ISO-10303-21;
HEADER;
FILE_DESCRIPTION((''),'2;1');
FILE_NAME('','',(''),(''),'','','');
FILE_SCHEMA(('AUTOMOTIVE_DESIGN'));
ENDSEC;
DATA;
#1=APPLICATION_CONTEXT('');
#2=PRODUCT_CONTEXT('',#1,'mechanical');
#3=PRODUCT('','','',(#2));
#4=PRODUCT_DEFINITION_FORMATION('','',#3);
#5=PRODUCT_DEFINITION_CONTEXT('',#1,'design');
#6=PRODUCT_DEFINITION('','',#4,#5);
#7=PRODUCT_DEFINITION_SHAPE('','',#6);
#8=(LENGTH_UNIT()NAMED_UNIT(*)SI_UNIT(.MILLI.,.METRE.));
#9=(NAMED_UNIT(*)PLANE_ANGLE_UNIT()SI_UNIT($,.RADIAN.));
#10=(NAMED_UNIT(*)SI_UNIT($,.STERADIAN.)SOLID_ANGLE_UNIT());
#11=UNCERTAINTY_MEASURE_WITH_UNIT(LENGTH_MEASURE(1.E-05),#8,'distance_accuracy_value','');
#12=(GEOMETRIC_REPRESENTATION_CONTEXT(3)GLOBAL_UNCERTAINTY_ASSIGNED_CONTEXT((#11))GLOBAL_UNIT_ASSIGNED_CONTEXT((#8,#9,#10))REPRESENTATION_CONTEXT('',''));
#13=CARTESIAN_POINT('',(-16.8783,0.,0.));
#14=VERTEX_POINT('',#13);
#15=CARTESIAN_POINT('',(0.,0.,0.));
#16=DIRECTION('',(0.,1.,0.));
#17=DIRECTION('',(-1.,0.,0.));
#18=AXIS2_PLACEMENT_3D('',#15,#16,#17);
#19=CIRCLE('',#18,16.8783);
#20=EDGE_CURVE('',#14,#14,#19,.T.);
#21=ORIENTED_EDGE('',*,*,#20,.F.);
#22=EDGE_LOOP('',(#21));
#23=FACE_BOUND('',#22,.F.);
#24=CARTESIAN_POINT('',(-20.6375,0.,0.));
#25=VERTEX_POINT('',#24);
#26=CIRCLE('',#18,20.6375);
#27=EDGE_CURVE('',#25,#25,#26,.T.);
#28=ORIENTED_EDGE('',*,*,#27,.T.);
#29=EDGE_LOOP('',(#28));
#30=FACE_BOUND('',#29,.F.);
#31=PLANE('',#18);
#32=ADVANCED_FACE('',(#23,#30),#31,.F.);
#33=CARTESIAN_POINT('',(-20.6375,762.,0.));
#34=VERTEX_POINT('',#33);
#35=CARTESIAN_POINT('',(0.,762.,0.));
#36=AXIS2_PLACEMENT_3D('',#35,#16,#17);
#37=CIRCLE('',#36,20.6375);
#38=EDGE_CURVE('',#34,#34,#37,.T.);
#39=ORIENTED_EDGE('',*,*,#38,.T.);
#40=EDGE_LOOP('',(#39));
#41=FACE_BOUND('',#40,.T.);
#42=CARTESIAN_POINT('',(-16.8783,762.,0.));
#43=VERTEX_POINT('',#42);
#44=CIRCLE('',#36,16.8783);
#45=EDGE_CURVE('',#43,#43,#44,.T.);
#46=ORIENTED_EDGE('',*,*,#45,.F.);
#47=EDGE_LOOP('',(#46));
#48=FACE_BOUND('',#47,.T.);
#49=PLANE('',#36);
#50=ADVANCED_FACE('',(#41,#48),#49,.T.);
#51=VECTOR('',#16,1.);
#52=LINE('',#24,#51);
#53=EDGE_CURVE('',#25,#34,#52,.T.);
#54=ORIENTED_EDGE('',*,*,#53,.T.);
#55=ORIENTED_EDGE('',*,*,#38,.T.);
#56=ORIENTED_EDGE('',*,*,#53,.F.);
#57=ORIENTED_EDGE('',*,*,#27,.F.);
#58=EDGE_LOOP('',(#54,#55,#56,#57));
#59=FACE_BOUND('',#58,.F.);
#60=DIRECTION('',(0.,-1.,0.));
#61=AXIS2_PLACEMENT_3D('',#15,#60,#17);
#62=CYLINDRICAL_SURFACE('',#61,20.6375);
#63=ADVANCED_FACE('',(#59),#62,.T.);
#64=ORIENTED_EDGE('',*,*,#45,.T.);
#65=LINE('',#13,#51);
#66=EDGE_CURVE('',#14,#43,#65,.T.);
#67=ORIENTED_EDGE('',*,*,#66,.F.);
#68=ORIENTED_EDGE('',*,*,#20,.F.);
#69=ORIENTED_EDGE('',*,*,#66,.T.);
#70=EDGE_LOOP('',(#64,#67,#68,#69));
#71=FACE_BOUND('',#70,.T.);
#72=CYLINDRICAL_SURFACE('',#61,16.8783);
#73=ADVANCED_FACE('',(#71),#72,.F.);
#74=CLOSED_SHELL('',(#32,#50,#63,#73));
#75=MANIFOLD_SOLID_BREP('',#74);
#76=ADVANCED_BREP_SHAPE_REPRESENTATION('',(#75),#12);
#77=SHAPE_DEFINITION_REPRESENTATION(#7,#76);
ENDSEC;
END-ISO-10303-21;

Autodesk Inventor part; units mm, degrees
ref_plane "YZ Plane" through (0, 0, 0) normal (1, 0, 0) x (0, 1, 0)
ref_plane "XZ Plane" through (0, 0, 0) normal (0, 1, 0) x (-1, 0, 0)
ref_plane "XY Plane" through (0, 0, 0) normal (0, 0, 1) x (1, 0, 0)
sketch "Sketch1" plane through (0, 0, 0) normal (0, 1, 0) x (-1, 0, 0)
  circle A0 centre (0, 0) radius 20.6375
  circle A1 centre (0, 0) radius 16.8783
  dimension "d0" = 41.275
  dimension "d1" = 33.7566
extrude "Extrusion1" add sketch "Sketch1" along normal blind 762
properties part number "Barrel" material "PVC, Unplasticized"
